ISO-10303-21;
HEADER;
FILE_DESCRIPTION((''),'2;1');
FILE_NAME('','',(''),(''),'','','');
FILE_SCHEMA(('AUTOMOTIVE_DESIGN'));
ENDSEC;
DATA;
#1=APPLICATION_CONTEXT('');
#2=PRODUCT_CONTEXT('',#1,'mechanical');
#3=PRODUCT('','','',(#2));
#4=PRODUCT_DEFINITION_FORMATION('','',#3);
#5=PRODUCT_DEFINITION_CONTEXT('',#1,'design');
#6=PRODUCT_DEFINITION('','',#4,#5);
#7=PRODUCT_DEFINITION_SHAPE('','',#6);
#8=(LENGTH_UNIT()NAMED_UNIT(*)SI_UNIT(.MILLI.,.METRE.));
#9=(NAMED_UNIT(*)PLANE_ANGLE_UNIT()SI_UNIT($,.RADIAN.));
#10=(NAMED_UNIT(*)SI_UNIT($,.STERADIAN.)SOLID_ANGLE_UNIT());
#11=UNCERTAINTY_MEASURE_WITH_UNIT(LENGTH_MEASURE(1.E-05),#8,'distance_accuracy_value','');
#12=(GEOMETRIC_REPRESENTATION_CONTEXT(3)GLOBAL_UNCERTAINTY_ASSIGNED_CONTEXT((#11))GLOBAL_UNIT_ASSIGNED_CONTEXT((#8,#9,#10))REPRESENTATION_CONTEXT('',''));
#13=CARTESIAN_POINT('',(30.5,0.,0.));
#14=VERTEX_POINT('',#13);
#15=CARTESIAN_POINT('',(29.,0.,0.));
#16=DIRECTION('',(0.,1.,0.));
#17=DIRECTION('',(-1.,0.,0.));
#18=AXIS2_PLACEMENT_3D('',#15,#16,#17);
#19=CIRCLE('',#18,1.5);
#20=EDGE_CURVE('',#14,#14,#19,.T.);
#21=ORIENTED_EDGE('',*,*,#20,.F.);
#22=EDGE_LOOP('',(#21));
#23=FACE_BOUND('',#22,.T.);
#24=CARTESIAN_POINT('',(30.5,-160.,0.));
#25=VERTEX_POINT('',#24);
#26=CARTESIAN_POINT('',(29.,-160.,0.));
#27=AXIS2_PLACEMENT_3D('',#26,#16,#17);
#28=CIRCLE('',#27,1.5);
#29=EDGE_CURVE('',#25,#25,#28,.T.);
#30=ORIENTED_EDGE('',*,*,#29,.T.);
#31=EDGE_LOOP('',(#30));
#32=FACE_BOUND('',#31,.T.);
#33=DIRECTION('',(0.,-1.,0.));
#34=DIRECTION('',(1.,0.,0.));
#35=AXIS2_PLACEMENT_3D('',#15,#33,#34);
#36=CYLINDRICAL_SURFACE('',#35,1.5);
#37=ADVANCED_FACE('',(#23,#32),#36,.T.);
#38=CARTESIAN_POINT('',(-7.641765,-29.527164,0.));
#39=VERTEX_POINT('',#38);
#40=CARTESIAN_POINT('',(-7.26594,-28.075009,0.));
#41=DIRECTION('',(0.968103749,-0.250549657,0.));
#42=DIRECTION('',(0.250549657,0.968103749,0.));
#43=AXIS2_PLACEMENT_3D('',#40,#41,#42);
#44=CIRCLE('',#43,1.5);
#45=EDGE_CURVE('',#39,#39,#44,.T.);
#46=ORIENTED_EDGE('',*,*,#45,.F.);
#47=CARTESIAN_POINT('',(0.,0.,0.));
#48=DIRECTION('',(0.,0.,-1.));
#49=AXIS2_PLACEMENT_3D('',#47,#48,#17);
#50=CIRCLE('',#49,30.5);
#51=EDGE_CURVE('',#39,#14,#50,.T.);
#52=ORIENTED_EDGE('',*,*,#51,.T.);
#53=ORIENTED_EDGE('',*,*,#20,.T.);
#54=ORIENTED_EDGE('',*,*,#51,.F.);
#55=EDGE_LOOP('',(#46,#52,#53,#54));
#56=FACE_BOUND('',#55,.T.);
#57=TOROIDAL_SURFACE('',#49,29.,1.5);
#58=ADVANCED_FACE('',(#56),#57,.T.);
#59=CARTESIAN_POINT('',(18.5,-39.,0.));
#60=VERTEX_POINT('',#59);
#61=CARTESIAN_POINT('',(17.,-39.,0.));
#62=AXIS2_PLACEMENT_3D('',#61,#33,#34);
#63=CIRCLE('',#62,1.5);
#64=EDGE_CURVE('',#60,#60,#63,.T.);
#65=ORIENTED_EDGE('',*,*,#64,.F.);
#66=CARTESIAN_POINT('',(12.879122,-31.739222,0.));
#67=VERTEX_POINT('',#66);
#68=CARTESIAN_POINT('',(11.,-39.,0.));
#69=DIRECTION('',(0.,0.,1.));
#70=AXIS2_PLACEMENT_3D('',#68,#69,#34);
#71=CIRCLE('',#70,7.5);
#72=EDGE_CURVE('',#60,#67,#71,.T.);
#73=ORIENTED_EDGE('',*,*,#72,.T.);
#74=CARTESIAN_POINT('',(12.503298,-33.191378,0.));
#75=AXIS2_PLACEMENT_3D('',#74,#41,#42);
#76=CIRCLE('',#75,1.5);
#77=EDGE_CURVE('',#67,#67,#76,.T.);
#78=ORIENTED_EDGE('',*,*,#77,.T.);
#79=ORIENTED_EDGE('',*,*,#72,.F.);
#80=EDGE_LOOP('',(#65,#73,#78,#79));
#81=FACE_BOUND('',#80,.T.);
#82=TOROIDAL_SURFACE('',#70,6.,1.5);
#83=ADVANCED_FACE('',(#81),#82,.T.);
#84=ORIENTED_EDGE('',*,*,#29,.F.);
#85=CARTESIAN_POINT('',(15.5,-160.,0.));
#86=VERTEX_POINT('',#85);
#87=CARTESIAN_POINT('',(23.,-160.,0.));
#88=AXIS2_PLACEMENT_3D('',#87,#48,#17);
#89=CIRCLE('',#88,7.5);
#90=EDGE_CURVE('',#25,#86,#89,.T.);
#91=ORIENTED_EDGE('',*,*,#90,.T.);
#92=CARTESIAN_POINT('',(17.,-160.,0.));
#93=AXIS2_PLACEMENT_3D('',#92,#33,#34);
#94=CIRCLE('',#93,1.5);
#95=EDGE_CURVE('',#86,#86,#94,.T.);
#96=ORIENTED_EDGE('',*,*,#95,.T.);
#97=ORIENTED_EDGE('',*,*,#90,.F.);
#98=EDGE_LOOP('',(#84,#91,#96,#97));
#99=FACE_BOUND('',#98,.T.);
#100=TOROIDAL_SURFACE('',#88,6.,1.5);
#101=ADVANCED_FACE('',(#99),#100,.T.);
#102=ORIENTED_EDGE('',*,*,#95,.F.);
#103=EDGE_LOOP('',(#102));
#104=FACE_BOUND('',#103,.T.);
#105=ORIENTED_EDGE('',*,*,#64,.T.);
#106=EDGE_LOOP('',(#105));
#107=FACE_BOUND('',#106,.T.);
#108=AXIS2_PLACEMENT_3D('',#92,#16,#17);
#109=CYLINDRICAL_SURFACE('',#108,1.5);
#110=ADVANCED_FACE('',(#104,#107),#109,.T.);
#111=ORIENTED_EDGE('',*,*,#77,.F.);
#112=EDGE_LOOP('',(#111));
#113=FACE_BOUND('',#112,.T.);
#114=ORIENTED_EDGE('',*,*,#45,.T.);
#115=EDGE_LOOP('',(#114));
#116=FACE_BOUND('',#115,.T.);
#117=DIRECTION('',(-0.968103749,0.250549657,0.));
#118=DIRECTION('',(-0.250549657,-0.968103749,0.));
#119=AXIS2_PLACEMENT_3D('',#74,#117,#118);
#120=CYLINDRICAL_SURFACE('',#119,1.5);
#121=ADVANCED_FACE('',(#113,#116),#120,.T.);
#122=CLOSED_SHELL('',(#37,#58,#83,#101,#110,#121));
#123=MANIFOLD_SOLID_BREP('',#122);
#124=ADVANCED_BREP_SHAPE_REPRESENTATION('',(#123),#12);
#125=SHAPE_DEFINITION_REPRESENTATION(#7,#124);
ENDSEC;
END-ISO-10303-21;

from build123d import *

# Parameters (mm, degrees)
BALAYAGE1_PROFILE_R = 1.5


with BuildPart() as part:
    # Balayage1: sweep along a path in Esquisse1
    with BuildLine(Plane.XY) as balayage1_path:
        Line((29, 0), (29, -160))
        ThreePointArc((29, -160), (23, -166), (17, -160))
        Line((17, -160), (17, -39))
        ThreePointArc((17, -39), (15.744459276, -35.327112011), (12.503297941, -33.191377504))
        Line((12.503297941, -33.191377504), (-7.265940046, -28.075008731))
        ThreePointArc((-7.265940046, -28.075008731), (-17.752291946, 22.931553167), (29, 0))
    # Balayage1 profile (on start of the path) → Balayage1 (sweep)
    with BuildSketch(Plane(origin=(29, 0, 0), x_dir=(-1, 0, 0), z_dir=(0, -1, 0))):
        Circle(BALAYAGE1_PROFILE_R)
    sweep(path=balayage1_path.line)


solid = part.part
